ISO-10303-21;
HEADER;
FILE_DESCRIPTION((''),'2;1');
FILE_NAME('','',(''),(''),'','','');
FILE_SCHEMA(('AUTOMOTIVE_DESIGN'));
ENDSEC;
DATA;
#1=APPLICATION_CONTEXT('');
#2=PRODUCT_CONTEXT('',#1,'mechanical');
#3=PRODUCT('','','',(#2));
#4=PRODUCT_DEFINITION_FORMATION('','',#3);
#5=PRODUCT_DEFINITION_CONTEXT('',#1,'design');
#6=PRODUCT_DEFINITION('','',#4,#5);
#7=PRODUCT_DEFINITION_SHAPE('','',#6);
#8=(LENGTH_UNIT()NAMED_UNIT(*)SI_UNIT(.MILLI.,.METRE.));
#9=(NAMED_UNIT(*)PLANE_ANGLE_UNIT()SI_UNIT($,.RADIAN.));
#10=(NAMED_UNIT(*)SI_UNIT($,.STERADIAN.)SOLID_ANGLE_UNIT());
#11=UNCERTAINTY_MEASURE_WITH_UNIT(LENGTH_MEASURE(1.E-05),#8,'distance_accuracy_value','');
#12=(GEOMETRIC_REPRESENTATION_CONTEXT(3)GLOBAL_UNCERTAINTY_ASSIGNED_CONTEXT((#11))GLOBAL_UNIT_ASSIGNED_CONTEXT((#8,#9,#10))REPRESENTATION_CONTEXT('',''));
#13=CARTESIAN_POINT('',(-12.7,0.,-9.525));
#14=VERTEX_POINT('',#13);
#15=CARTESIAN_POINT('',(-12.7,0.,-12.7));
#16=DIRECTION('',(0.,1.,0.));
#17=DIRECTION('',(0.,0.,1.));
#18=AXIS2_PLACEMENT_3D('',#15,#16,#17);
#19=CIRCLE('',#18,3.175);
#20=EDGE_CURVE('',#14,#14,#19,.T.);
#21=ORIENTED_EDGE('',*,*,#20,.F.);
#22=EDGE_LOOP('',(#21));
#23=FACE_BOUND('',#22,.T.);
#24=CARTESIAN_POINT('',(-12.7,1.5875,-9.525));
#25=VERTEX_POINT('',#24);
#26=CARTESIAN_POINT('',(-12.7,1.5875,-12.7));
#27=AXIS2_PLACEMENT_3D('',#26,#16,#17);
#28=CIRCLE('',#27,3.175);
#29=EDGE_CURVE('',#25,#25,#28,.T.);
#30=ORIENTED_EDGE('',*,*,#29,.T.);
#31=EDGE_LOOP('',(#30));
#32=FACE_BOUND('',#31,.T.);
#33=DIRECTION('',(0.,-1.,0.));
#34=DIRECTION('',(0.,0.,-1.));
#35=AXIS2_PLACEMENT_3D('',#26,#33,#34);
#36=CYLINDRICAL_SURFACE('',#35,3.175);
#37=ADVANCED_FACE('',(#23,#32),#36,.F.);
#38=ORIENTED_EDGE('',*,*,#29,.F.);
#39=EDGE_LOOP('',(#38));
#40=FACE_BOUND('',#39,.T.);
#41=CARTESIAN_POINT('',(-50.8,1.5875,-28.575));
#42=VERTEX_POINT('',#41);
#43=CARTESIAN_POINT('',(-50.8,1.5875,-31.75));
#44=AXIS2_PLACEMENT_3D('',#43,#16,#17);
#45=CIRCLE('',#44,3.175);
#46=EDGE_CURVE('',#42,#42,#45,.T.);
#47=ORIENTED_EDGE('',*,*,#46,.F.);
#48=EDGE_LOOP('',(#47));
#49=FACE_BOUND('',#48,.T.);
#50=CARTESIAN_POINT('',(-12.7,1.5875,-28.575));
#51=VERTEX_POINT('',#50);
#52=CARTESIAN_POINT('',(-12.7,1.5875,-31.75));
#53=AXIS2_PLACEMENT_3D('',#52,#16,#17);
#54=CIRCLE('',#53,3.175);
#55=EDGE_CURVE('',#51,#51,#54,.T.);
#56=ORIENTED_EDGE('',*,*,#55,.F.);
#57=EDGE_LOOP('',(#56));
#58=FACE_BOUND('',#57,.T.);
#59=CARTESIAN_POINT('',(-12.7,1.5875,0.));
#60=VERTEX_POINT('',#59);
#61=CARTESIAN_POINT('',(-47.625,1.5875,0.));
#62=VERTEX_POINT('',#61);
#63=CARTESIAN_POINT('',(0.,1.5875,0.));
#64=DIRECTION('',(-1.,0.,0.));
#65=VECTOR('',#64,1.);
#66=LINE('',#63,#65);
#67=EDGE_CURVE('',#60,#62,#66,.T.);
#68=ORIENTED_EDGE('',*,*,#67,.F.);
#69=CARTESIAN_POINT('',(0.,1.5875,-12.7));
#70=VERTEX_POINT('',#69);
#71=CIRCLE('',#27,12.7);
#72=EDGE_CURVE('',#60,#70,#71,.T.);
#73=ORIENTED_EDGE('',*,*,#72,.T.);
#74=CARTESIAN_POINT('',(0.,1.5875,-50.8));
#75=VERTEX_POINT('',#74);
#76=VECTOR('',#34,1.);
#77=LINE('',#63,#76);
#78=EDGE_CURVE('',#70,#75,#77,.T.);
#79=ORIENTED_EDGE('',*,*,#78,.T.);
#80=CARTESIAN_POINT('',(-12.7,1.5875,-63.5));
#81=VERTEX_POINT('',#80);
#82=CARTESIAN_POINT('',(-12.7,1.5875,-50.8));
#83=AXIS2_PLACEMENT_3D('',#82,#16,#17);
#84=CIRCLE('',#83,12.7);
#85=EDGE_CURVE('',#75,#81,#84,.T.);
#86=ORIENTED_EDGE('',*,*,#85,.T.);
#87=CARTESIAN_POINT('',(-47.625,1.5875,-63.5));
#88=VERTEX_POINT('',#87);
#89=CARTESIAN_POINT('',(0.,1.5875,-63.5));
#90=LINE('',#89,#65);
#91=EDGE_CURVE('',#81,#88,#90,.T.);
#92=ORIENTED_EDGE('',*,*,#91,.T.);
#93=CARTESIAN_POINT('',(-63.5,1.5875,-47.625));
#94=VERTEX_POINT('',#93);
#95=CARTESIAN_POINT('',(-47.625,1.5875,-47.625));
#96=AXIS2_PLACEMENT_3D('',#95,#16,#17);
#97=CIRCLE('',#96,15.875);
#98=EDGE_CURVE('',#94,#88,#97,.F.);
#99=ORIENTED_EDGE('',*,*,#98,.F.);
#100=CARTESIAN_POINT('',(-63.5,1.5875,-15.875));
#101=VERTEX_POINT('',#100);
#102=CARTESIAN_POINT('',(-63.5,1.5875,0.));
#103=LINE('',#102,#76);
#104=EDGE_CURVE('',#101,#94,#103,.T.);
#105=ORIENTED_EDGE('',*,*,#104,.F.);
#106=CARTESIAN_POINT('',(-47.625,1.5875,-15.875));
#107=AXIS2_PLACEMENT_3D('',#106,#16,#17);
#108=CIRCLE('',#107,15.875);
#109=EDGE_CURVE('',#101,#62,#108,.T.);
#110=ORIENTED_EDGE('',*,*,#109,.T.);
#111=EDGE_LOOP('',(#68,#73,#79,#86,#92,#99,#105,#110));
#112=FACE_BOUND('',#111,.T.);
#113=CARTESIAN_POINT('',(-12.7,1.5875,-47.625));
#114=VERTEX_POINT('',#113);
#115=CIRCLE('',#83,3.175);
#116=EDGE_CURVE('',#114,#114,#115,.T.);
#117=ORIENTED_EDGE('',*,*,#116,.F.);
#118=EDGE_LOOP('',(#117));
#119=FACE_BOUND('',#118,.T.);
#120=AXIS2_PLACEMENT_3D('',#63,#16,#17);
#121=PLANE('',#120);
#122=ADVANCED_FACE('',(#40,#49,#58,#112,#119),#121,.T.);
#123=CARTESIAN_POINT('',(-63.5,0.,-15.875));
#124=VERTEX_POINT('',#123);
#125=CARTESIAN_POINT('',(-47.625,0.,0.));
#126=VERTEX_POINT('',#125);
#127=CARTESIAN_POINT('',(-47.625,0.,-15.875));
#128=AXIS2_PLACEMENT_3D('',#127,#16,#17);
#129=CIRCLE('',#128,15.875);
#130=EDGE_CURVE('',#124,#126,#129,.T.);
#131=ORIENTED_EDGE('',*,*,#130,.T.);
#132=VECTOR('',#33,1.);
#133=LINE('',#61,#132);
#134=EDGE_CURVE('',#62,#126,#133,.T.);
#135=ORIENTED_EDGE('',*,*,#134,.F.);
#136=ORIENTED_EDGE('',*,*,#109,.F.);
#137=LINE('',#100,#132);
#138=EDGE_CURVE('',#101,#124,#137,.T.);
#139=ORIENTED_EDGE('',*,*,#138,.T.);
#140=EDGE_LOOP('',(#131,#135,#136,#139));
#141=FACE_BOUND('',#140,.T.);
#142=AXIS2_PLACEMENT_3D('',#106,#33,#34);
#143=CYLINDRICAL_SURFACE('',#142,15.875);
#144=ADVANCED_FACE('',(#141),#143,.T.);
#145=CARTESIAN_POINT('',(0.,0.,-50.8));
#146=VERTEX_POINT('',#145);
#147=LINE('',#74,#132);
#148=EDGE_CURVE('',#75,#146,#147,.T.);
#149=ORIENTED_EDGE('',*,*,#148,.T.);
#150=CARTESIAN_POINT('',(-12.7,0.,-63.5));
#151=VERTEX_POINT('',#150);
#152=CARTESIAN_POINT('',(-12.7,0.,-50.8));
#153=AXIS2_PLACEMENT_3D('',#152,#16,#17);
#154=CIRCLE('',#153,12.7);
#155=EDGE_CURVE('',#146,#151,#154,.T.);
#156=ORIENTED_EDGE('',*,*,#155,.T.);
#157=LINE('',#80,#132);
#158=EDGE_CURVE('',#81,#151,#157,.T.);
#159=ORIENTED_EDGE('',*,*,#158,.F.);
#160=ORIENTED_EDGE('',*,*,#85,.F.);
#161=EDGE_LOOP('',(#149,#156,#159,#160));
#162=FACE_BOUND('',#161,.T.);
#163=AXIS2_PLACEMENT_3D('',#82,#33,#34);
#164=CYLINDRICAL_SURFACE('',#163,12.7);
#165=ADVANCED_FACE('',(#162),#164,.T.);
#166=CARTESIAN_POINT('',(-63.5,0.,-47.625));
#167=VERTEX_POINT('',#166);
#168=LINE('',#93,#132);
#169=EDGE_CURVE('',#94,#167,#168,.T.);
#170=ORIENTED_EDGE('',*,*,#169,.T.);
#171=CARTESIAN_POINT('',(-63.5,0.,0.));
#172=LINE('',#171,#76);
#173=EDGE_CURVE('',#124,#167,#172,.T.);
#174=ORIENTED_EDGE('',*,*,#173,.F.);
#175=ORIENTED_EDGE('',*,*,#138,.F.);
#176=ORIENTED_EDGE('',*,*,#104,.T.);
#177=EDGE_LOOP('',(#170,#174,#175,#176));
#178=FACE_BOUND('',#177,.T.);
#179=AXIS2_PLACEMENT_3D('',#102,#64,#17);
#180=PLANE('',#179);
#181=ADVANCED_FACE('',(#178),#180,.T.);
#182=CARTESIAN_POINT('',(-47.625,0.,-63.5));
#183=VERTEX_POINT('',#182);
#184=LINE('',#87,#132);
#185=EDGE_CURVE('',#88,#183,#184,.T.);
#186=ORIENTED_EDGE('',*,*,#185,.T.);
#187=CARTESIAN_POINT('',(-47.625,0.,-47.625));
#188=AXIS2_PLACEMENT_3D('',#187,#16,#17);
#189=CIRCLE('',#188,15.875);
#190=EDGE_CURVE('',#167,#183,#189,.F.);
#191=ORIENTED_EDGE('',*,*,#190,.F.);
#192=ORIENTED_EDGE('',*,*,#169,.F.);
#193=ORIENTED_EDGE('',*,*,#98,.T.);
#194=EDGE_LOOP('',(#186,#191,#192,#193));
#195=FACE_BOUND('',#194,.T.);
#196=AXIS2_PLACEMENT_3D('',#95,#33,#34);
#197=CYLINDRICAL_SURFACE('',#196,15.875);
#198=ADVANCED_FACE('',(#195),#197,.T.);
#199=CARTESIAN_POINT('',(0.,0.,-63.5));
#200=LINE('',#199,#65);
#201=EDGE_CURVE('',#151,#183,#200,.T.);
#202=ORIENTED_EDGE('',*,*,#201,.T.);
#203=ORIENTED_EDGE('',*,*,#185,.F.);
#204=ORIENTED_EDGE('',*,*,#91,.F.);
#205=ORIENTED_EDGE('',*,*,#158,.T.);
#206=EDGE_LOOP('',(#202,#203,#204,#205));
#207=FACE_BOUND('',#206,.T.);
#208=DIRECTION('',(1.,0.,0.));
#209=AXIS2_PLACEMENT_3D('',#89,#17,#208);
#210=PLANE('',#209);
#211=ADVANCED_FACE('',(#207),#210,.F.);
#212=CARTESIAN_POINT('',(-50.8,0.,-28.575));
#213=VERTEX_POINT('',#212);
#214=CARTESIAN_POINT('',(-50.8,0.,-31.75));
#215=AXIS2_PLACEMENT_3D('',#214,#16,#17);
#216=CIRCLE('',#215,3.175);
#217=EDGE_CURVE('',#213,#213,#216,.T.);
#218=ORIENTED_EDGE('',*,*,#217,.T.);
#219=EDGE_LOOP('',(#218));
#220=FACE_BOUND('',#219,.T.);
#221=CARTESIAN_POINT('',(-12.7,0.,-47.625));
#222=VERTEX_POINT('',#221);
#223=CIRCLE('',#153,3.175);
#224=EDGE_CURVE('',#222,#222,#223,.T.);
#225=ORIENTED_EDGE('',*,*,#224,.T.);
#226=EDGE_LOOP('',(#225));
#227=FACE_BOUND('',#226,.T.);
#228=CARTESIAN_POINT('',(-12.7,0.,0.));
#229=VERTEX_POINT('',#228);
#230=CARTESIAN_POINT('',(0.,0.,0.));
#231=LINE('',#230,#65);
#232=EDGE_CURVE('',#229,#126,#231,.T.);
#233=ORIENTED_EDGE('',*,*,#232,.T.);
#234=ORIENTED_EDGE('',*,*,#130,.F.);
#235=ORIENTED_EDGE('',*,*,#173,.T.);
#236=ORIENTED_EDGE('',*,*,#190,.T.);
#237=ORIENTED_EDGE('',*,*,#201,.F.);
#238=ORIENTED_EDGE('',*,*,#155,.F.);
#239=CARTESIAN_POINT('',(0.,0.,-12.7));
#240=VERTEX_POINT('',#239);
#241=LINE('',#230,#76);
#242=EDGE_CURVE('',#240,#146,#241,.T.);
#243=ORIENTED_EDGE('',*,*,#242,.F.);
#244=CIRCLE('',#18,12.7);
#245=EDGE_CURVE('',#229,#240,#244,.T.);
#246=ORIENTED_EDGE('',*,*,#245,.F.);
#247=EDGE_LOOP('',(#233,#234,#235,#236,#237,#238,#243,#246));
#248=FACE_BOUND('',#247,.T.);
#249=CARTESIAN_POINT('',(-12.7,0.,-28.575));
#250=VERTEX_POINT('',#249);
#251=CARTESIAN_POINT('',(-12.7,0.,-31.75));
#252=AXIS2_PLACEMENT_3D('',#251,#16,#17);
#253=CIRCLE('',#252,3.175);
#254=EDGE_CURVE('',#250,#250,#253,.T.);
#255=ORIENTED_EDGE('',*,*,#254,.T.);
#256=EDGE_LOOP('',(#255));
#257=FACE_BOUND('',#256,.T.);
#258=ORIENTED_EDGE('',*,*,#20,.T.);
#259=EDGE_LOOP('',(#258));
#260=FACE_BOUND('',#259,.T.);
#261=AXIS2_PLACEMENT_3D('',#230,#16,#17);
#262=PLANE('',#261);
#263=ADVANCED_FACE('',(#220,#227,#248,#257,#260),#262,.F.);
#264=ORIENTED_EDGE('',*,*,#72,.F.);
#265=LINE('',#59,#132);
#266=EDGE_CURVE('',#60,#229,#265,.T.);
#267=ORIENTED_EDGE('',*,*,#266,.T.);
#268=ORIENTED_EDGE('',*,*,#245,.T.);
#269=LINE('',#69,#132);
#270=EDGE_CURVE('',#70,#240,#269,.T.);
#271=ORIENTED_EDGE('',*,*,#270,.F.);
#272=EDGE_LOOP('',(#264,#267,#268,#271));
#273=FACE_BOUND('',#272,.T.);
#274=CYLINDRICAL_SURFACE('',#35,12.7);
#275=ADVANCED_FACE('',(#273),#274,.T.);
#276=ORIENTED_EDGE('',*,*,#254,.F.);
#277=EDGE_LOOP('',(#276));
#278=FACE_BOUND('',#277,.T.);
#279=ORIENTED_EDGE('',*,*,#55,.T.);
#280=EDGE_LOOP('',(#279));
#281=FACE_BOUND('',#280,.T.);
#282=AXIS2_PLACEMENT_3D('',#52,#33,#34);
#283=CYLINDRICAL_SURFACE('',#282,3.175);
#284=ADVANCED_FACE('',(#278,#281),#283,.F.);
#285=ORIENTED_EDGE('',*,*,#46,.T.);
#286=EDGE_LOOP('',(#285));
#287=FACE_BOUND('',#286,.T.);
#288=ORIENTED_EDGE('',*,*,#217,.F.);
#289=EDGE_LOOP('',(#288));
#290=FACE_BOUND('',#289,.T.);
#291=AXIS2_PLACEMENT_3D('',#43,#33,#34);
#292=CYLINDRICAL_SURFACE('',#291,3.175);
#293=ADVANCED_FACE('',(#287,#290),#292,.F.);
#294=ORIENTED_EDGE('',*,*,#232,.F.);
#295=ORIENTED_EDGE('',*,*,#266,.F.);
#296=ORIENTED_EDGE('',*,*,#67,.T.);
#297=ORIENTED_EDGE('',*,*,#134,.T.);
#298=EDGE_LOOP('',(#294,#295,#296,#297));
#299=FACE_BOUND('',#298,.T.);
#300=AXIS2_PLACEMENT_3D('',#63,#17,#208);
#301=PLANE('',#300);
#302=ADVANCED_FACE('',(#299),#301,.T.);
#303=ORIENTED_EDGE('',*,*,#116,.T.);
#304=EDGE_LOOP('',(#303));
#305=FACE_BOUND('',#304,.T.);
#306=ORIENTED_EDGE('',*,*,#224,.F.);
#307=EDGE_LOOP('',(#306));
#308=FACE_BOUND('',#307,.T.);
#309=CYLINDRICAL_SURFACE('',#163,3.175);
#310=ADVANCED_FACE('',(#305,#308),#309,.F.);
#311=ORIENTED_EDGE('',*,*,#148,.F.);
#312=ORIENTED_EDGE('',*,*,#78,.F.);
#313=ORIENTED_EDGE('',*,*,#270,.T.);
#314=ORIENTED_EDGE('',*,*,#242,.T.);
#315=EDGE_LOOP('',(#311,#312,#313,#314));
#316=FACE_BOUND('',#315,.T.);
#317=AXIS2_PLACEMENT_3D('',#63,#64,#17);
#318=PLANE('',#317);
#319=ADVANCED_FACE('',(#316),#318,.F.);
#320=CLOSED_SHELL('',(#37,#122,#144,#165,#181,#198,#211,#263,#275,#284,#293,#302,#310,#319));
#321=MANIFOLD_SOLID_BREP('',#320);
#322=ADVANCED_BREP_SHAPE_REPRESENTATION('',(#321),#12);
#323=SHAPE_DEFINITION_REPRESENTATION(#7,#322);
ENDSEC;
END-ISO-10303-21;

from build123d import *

# Parameters (mm, degrees)
SKETCH1_R           = 3.175
BOSS_EXTRUDE1_DEPTH = 1.5875


with BuildPart() as part:
    # Sketch1 → Boss-Extrude1 (new body)
    with BuildSketch(Plane(origin=(0, 0, 0), x_dir=(1, 0, 0), z_dir=(0, 1, 0))):
        with BuildLine():
            Line((-47.625, 0), (-12.7, 0))
            ThreePointArc((-12.7, 0), (-3.719743879, 3.719743879), (0, 12.7))
            Line((0, 12.7), (0, 50.8))
            ThreePointArc((0, 50.8), (-3.719743879, 59.780256121), (-12.7, 63.5))
            Line((-12.7, 63.5), (-47.625, 63.5))
            ThreePointArc((-47.625, 63.5), (-58.850320151, 58.850320151), (-63.5, 47.625))
            Line((-63.5, 47.625), (-63.5, 44.45))
            Line((-63.5, 44.45), (-63.5, 19.05))
            Line((-63.5, 19.05), (-63.5, 15.875))
            ThreePointArc((-63.5, 15.875), (-58.850320151, 4.649679849), (-47.625, 0))
        make_face()
        with Locations((-12.7, 12.7)):
            Circle(SKETCH1_R, mode=Mode.SUBTRACT)
        with Locations((-50.8, 31.75)):
            Circle(SKETCH1_R, mode=Mode.SUBTRACT)
        with Locations((-12.7, 31.75)):
            Circle(SKETCH1_R, mode=Mode.SUBTRACT)
        with Locations((-12.7, 50.8)):
            Circle(SKETCH1_R, mode=Mode.SUBTRACT)
    extrude(amount=BOSS_EXTRUDE1_DEPTH)


solid = part.part
